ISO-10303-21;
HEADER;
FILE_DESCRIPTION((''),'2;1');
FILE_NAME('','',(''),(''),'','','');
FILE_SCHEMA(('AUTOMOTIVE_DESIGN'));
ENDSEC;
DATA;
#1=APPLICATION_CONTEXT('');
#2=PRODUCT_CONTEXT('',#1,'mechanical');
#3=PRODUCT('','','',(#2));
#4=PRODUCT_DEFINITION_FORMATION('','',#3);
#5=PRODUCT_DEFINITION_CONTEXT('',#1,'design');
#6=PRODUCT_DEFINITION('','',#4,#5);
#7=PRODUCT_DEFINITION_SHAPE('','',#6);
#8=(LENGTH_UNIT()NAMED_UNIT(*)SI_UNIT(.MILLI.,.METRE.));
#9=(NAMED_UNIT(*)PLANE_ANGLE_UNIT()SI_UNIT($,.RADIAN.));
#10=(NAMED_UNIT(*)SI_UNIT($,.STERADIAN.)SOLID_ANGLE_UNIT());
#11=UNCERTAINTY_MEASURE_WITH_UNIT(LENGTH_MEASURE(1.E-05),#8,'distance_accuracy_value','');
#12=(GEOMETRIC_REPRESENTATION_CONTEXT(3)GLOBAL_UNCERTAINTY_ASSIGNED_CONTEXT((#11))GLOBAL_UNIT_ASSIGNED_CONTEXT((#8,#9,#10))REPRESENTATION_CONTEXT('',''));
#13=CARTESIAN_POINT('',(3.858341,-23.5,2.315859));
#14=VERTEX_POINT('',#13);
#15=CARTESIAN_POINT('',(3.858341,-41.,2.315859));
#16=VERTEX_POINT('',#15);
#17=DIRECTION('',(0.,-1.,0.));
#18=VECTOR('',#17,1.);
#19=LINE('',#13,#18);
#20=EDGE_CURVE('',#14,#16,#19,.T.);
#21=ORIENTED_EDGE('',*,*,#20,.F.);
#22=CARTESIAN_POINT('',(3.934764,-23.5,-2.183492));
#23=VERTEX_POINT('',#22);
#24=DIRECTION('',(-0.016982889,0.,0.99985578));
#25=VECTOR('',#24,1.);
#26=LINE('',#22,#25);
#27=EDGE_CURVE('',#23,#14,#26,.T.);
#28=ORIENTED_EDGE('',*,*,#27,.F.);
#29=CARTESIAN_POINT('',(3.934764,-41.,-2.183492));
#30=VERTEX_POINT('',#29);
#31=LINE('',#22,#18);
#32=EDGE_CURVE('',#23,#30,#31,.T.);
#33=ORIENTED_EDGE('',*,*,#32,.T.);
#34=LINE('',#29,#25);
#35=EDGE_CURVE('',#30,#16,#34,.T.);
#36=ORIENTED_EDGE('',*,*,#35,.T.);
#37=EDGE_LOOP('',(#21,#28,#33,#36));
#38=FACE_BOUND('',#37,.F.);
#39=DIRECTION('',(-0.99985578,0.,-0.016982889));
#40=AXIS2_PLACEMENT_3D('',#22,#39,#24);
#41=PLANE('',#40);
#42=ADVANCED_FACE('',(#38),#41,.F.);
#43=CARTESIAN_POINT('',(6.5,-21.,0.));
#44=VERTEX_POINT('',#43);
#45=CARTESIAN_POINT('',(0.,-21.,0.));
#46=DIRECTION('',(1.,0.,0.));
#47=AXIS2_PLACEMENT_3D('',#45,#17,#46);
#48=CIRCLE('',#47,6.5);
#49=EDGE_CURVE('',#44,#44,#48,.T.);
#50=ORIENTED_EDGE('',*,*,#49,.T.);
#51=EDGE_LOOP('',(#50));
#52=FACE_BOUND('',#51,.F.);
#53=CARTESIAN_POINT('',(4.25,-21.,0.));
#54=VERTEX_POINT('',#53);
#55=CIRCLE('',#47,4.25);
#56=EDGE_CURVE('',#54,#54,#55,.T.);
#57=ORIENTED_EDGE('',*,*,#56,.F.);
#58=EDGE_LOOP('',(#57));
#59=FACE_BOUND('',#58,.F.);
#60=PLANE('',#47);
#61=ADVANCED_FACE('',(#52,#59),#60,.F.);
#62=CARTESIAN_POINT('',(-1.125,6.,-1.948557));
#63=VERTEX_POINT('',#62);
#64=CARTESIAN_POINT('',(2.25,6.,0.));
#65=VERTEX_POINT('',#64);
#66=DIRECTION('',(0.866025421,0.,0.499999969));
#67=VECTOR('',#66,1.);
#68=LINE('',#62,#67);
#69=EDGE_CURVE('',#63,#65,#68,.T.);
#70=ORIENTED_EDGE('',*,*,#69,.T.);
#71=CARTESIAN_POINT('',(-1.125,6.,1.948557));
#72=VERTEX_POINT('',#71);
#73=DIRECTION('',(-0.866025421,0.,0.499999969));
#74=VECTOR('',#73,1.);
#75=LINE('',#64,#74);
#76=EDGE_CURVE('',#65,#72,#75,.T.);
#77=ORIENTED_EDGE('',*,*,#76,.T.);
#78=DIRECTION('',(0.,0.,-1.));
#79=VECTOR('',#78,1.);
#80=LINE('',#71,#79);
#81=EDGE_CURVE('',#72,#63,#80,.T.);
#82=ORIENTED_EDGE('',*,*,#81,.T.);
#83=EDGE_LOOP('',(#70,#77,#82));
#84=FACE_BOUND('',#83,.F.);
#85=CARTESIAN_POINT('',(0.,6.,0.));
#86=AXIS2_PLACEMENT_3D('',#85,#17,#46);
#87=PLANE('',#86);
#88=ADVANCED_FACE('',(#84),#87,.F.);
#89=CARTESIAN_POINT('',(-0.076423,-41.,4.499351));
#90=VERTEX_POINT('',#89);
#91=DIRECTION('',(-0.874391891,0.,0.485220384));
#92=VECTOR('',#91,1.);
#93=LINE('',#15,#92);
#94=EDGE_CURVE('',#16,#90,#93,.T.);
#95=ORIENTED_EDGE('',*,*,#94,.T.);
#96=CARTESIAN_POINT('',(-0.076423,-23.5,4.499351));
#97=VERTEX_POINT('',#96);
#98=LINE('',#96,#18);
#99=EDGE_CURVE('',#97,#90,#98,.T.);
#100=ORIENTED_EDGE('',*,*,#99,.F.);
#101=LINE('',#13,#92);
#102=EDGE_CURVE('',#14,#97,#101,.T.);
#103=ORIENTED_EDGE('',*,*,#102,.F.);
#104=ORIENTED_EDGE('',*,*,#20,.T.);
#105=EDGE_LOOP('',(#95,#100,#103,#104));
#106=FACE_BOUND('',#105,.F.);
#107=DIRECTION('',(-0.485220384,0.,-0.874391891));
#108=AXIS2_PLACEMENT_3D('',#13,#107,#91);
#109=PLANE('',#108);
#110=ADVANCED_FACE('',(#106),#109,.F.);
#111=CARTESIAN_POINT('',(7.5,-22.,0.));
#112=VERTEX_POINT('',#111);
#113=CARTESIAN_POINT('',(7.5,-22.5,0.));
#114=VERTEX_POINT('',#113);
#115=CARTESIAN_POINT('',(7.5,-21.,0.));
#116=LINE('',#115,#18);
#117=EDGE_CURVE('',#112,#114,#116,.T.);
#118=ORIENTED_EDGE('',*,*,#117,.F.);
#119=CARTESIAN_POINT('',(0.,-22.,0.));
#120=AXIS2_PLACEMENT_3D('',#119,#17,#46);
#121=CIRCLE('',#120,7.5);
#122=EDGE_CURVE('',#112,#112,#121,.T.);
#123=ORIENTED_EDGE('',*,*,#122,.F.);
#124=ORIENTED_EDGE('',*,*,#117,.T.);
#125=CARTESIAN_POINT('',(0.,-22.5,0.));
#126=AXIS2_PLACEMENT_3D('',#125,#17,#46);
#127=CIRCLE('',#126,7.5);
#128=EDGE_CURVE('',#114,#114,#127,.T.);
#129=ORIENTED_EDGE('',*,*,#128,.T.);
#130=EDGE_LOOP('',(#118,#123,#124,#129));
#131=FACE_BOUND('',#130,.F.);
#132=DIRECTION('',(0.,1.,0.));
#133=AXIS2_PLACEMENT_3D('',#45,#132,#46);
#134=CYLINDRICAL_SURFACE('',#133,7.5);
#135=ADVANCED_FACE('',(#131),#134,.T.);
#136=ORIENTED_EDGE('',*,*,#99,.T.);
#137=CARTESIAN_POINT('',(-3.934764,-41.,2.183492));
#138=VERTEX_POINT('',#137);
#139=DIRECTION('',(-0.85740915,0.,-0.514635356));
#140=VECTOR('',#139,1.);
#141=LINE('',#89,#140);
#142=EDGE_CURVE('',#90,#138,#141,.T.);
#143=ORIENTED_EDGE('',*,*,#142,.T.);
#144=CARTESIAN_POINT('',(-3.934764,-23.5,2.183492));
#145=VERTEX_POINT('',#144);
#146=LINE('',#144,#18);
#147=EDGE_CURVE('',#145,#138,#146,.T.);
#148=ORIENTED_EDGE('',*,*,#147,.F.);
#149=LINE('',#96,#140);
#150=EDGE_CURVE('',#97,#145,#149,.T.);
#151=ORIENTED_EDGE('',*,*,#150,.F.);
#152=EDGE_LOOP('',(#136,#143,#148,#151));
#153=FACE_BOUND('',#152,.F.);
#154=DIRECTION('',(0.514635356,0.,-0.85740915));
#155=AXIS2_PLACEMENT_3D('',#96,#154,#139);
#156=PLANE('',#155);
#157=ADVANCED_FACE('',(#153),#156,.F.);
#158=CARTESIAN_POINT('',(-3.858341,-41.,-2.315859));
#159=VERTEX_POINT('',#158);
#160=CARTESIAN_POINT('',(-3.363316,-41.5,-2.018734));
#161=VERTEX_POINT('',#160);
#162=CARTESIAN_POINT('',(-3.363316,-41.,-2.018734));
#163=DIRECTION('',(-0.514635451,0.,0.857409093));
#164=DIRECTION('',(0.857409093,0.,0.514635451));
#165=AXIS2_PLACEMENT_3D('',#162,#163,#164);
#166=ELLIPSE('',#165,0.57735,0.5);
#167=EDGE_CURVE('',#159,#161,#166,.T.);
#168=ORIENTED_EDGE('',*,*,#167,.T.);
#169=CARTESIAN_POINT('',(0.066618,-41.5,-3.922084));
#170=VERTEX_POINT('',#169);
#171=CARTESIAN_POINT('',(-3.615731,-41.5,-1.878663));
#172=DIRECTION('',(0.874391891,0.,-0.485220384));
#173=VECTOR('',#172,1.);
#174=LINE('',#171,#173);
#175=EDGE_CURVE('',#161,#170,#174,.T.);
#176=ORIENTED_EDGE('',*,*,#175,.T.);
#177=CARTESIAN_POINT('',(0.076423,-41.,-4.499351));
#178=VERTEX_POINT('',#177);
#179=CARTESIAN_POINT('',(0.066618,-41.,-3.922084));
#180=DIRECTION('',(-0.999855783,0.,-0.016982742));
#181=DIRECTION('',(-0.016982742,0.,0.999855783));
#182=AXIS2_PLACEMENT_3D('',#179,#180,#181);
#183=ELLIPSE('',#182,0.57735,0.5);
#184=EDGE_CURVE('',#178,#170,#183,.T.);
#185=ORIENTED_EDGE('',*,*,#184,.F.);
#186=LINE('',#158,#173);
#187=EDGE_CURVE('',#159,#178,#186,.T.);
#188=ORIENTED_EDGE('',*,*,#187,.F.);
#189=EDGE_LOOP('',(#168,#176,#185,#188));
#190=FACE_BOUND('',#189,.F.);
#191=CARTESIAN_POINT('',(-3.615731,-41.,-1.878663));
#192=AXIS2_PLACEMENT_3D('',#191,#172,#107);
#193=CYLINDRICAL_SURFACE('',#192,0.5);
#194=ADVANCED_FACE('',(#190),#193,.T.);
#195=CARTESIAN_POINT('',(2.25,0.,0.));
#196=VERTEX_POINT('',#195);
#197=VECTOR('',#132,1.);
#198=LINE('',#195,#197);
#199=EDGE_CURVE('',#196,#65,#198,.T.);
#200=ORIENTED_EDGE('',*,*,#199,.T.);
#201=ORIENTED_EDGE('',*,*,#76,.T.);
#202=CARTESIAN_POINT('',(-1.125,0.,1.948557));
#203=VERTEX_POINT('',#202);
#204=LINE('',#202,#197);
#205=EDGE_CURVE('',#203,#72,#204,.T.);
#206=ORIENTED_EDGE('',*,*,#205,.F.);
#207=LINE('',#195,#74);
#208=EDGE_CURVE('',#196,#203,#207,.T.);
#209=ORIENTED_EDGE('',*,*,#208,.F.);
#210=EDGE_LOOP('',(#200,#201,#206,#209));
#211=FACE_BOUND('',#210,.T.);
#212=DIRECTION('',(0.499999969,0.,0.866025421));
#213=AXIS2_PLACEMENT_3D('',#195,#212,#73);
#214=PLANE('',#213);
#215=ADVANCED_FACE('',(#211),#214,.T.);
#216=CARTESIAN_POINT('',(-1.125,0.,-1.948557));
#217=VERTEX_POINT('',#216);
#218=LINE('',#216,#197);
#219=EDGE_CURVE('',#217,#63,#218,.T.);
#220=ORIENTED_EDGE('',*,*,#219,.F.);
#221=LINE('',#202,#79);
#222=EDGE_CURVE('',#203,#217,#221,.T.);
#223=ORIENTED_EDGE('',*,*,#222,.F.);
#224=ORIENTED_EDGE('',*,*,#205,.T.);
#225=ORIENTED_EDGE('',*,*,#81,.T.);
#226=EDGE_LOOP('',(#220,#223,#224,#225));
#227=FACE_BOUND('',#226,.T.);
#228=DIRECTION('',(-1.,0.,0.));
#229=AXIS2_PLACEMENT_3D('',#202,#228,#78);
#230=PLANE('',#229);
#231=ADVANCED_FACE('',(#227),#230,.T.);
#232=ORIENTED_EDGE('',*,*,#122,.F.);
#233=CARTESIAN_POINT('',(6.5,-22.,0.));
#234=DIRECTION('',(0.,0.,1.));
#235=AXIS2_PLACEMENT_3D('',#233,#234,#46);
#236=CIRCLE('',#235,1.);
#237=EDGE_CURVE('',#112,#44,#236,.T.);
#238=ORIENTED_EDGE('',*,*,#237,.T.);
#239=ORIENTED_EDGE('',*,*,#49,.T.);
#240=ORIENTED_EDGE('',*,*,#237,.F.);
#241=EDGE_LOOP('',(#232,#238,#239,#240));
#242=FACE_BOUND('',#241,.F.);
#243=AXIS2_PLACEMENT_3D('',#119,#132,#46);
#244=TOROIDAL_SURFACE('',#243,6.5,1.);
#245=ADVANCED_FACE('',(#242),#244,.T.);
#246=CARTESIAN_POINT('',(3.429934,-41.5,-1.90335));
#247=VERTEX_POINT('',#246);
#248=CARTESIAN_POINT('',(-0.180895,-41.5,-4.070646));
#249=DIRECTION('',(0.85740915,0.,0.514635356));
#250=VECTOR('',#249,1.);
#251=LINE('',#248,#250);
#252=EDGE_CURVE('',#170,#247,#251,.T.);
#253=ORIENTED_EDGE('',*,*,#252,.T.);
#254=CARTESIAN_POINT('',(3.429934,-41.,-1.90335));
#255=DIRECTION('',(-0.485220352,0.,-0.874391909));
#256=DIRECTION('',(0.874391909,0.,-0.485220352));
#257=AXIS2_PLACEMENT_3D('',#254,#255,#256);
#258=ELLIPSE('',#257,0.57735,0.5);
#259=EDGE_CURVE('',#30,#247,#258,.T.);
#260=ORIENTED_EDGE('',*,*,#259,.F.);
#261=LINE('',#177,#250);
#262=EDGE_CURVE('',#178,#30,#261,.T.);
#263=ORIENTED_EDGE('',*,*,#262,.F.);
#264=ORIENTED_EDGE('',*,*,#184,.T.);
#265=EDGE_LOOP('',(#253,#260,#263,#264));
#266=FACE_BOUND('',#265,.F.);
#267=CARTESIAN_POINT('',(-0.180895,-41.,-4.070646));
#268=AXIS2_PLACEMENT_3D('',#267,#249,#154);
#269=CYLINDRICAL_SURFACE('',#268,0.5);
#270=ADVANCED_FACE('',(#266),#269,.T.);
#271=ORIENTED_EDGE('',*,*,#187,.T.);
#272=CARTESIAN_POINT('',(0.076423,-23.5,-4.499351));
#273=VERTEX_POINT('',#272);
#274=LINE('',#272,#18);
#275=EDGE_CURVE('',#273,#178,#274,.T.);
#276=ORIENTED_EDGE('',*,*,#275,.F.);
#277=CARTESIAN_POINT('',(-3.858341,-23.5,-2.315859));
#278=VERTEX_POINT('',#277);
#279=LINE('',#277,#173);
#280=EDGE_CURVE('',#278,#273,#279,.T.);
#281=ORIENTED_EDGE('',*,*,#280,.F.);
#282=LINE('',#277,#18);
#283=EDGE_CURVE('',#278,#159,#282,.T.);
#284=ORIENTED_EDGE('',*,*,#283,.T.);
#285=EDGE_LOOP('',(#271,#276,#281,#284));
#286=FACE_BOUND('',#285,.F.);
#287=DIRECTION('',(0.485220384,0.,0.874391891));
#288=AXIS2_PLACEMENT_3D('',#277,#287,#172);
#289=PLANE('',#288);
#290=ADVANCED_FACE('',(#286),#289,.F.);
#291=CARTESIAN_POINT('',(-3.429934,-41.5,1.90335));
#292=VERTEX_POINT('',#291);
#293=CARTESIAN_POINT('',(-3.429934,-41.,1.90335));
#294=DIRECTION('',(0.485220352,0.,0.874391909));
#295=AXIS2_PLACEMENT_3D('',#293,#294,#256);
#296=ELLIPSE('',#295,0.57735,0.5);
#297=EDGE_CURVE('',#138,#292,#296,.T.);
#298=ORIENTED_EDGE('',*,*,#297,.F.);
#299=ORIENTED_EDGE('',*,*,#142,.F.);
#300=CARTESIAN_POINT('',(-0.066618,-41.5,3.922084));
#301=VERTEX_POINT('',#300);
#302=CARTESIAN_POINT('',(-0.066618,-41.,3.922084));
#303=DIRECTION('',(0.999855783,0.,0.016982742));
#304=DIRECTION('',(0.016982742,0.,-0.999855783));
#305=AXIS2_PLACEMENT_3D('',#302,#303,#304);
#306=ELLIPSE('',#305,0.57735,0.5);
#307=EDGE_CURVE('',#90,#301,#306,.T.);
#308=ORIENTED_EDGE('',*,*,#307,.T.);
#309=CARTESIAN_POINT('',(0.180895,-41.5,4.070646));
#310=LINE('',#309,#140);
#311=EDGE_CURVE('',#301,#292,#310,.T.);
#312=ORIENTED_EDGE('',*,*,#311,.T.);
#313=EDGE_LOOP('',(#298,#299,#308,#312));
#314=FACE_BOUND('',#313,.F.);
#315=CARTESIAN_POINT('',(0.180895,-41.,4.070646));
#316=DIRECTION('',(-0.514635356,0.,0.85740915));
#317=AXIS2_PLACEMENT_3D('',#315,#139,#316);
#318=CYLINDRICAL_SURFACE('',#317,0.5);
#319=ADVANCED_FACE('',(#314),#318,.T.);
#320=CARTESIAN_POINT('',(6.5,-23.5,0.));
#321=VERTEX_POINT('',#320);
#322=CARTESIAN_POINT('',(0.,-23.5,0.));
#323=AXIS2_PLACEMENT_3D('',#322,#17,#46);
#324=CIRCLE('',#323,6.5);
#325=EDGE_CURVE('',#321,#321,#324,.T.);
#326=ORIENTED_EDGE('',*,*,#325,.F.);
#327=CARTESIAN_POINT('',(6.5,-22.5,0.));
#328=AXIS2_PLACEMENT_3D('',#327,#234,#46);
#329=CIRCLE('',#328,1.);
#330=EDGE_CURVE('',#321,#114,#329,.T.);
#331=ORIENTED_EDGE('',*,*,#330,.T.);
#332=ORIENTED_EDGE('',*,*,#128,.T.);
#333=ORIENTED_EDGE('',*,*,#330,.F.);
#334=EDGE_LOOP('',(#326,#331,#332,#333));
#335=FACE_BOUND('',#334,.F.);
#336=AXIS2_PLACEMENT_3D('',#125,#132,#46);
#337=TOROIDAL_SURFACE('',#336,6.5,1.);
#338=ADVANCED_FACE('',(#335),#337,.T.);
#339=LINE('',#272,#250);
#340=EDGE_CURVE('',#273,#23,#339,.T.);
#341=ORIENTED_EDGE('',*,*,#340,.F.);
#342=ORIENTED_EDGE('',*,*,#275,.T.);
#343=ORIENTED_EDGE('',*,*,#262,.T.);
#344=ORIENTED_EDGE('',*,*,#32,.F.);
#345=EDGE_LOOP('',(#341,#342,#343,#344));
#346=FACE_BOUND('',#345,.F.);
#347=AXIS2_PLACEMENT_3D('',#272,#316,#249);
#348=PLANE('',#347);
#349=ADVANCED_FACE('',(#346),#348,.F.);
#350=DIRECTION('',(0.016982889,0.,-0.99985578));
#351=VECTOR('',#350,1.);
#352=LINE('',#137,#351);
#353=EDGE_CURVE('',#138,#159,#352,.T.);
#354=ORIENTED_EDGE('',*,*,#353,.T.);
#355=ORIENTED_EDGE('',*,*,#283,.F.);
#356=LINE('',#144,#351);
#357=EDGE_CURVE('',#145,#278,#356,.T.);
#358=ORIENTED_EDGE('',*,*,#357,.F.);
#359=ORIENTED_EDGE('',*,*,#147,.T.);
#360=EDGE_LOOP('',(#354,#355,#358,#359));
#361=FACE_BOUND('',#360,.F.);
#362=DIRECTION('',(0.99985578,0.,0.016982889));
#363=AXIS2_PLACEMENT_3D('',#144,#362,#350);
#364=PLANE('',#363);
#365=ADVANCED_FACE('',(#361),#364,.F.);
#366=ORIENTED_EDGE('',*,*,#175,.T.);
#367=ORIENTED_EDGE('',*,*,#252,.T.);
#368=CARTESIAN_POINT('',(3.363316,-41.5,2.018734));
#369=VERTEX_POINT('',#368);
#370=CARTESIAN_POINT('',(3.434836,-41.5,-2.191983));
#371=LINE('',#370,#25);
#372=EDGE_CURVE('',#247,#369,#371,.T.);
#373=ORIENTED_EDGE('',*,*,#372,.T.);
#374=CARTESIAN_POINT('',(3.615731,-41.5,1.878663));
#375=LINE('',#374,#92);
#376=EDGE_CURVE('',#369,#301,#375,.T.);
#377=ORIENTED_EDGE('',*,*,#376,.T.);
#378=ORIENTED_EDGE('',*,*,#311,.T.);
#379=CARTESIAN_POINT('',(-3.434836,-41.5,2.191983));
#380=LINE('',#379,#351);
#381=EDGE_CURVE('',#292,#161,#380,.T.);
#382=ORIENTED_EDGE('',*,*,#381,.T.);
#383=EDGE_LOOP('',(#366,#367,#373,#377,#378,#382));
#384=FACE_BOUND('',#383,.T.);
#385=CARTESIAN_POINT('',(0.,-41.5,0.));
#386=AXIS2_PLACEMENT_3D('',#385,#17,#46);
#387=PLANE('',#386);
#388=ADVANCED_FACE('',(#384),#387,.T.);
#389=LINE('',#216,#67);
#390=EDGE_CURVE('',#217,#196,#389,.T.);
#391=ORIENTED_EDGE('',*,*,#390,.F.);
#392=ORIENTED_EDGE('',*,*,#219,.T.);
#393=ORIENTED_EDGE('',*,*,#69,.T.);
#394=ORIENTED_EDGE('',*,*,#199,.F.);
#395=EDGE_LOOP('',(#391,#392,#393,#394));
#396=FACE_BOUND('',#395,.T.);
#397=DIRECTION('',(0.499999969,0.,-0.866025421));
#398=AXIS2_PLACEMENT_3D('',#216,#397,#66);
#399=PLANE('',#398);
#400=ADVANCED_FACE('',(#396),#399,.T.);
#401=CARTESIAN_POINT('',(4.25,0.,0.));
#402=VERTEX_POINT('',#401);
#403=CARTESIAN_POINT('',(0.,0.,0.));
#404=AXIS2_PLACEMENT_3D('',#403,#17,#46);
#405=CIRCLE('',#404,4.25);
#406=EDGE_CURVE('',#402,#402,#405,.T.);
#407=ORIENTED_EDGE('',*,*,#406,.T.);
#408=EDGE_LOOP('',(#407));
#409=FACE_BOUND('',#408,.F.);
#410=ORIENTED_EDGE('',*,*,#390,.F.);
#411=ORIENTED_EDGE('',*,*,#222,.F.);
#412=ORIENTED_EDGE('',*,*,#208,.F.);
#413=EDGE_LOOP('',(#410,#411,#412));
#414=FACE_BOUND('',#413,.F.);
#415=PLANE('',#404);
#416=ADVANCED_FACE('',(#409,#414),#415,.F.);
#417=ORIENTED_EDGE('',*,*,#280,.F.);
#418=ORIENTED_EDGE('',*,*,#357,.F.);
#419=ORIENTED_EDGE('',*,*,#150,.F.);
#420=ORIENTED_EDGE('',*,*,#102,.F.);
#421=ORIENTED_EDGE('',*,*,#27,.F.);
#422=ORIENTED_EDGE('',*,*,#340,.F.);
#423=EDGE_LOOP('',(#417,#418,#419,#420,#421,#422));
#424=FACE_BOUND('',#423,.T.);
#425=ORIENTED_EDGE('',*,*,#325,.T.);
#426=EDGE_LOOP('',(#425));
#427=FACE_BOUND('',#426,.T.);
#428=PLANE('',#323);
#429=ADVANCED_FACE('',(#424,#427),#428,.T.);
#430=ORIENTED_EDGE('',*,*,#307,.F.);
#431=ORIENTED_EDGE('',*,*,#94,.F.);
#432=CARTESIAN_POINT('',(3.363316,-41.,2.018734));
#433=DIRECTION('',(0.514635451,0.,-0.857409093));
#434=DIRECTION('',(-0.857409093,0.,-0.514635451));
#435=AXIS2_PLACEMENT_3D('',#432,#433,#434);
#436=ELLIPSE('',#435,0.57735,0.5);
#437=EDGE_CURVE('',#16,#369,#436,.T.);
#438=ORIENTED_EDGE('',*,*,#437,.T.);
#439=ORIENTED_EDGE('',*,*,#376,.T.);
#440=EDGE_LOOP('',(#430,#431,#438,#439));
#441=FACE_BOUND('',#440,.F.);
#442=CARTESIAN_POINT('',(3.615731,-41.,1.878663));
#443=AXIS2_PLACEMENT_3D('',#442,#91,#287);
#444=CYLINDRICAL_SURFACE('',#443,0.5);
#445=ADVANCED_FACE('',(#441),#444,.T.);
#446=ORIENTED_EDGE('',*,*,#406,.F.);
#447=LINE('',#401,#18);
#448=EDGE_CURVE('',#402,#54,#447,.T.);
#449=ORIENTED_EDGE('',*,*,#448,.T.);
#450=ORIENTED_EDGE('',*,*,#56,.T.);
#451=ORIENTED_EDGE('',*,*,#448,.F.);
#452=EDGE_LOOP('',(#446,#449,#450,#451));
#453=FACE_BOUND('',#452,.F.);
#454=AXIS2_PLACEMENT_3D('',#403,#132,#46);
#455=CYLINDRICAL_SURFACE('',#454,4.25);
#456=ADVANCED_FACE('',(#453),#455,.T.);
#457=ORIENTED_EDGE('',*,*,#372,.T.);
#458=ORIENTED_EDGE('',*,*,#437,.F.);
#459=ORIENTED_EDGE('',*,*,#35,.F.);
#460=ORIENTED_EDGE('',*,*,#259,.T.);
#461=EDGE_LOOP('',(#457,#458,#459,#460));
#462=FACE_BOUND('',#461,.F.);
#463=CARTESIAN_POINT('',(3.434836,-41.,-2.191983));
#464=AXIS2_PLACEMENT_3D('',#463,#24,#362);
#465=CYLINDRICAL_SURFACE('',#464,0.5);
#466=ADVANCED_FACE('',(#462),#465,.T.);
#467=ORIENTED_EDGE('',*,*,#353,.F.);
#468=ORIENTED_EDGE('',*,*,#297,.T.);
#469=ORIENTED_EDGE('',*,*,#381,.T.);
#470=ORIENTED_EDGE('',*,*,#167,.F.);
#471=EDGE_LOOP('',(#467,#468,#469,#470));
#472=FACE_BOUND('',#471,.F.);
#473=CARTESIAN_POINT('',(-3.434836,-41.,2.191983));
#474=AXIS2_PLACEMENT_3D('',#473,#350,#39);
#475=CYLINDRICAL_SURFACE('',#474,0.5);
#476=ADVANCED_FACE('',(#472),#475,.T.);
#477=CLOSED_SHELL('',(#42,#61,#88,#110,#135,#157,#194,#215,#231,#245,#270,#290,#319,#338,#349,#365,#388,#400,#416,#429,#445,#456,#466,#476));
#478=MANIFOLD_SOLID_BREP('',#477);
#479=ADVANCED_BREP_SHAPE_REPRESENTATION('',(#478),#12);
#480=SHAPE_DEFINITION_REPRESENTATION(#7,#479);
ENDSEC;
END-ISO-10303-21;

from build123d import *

# Parameters (mm, degrees)
F0_R     = 4.25
F1_DEPTH = 21
F2_DEPTH = 6
F3_R     = 7.5
F3_R_2   = 4.25
F4_DEPTH = 2.5
F6_DEPTH = 18
F7_R     = 0.5
F8_R     = 1


with BuildPart() as f1:
    # F0 (on Front) → F1 (new body)
    with BuildSketch(Plane.XZ):
        Circle(F0_R)
        Polygon((-1.125, 1.948557), (2.25, 0), (-1.125, -1.948557), align=None, mode=Mode.SUBTRACT)
        Polygon((-1.125, -1.948557), (2.25, 0), (-1.125, 1.948557), align=None)
    extrude(amount=F1_DEPTH)

    # F0 (on Front) → F2 (join)
    with BuildSketch(Plane.XZ):
        Polygon((-1.125, -1.948557), (2.25, 0), (-1.125, 1.948557), align=None)
    extrude(amount=-F2_DEPTH)

    # F3 (on face) → F4 (join)
    with BuildSketch(Plane.XZ.offset(21)):
        Circle(F3_R)
        Circle(F3_R_2, mode=Mode.SUBTRACT)
        Circle(F3_R_2)
    extrude(amount=F4_DEPTH)

    # F5 (on face) → F6 (join)
    with BuildSketch(Plane.XZ.offset(23.5)):
        Polygon((0.076423, -4.499351), (3.934764, -2.183492), (3.858341, 2.315859), (-0.076423, 4.499351), (-3.934764, 2.183492), (-3.858341, -2.315859), align=None)
    extrude(amount=F6_DEPTH)

    # F7
    f7_edges = [f1.edges().sort_by_distance(p)[0] for p in [
        (2.005593, -41.5, -3.341421),
        (-1.890959, -41.5, -3.407605),
        (-3.896552, -41.5, -0.066184),
        (-2.005593, -41.5, 3.341421),
        (1.890959, -41.5, 3.407605),
        (3.896552, -41.5, 0.066184),
    ]]
    fillet(f7_edges, radius=F7_R)

    # F8
    f8_edges = [f1.edges().sort_by_distance(p)[0] for p in [
        (-7.5, -23.5, 0),
        (-7.5, -21, 0),
    ]]
    fillet(f8_edges, radius=F8_R)


solid = f1.part
